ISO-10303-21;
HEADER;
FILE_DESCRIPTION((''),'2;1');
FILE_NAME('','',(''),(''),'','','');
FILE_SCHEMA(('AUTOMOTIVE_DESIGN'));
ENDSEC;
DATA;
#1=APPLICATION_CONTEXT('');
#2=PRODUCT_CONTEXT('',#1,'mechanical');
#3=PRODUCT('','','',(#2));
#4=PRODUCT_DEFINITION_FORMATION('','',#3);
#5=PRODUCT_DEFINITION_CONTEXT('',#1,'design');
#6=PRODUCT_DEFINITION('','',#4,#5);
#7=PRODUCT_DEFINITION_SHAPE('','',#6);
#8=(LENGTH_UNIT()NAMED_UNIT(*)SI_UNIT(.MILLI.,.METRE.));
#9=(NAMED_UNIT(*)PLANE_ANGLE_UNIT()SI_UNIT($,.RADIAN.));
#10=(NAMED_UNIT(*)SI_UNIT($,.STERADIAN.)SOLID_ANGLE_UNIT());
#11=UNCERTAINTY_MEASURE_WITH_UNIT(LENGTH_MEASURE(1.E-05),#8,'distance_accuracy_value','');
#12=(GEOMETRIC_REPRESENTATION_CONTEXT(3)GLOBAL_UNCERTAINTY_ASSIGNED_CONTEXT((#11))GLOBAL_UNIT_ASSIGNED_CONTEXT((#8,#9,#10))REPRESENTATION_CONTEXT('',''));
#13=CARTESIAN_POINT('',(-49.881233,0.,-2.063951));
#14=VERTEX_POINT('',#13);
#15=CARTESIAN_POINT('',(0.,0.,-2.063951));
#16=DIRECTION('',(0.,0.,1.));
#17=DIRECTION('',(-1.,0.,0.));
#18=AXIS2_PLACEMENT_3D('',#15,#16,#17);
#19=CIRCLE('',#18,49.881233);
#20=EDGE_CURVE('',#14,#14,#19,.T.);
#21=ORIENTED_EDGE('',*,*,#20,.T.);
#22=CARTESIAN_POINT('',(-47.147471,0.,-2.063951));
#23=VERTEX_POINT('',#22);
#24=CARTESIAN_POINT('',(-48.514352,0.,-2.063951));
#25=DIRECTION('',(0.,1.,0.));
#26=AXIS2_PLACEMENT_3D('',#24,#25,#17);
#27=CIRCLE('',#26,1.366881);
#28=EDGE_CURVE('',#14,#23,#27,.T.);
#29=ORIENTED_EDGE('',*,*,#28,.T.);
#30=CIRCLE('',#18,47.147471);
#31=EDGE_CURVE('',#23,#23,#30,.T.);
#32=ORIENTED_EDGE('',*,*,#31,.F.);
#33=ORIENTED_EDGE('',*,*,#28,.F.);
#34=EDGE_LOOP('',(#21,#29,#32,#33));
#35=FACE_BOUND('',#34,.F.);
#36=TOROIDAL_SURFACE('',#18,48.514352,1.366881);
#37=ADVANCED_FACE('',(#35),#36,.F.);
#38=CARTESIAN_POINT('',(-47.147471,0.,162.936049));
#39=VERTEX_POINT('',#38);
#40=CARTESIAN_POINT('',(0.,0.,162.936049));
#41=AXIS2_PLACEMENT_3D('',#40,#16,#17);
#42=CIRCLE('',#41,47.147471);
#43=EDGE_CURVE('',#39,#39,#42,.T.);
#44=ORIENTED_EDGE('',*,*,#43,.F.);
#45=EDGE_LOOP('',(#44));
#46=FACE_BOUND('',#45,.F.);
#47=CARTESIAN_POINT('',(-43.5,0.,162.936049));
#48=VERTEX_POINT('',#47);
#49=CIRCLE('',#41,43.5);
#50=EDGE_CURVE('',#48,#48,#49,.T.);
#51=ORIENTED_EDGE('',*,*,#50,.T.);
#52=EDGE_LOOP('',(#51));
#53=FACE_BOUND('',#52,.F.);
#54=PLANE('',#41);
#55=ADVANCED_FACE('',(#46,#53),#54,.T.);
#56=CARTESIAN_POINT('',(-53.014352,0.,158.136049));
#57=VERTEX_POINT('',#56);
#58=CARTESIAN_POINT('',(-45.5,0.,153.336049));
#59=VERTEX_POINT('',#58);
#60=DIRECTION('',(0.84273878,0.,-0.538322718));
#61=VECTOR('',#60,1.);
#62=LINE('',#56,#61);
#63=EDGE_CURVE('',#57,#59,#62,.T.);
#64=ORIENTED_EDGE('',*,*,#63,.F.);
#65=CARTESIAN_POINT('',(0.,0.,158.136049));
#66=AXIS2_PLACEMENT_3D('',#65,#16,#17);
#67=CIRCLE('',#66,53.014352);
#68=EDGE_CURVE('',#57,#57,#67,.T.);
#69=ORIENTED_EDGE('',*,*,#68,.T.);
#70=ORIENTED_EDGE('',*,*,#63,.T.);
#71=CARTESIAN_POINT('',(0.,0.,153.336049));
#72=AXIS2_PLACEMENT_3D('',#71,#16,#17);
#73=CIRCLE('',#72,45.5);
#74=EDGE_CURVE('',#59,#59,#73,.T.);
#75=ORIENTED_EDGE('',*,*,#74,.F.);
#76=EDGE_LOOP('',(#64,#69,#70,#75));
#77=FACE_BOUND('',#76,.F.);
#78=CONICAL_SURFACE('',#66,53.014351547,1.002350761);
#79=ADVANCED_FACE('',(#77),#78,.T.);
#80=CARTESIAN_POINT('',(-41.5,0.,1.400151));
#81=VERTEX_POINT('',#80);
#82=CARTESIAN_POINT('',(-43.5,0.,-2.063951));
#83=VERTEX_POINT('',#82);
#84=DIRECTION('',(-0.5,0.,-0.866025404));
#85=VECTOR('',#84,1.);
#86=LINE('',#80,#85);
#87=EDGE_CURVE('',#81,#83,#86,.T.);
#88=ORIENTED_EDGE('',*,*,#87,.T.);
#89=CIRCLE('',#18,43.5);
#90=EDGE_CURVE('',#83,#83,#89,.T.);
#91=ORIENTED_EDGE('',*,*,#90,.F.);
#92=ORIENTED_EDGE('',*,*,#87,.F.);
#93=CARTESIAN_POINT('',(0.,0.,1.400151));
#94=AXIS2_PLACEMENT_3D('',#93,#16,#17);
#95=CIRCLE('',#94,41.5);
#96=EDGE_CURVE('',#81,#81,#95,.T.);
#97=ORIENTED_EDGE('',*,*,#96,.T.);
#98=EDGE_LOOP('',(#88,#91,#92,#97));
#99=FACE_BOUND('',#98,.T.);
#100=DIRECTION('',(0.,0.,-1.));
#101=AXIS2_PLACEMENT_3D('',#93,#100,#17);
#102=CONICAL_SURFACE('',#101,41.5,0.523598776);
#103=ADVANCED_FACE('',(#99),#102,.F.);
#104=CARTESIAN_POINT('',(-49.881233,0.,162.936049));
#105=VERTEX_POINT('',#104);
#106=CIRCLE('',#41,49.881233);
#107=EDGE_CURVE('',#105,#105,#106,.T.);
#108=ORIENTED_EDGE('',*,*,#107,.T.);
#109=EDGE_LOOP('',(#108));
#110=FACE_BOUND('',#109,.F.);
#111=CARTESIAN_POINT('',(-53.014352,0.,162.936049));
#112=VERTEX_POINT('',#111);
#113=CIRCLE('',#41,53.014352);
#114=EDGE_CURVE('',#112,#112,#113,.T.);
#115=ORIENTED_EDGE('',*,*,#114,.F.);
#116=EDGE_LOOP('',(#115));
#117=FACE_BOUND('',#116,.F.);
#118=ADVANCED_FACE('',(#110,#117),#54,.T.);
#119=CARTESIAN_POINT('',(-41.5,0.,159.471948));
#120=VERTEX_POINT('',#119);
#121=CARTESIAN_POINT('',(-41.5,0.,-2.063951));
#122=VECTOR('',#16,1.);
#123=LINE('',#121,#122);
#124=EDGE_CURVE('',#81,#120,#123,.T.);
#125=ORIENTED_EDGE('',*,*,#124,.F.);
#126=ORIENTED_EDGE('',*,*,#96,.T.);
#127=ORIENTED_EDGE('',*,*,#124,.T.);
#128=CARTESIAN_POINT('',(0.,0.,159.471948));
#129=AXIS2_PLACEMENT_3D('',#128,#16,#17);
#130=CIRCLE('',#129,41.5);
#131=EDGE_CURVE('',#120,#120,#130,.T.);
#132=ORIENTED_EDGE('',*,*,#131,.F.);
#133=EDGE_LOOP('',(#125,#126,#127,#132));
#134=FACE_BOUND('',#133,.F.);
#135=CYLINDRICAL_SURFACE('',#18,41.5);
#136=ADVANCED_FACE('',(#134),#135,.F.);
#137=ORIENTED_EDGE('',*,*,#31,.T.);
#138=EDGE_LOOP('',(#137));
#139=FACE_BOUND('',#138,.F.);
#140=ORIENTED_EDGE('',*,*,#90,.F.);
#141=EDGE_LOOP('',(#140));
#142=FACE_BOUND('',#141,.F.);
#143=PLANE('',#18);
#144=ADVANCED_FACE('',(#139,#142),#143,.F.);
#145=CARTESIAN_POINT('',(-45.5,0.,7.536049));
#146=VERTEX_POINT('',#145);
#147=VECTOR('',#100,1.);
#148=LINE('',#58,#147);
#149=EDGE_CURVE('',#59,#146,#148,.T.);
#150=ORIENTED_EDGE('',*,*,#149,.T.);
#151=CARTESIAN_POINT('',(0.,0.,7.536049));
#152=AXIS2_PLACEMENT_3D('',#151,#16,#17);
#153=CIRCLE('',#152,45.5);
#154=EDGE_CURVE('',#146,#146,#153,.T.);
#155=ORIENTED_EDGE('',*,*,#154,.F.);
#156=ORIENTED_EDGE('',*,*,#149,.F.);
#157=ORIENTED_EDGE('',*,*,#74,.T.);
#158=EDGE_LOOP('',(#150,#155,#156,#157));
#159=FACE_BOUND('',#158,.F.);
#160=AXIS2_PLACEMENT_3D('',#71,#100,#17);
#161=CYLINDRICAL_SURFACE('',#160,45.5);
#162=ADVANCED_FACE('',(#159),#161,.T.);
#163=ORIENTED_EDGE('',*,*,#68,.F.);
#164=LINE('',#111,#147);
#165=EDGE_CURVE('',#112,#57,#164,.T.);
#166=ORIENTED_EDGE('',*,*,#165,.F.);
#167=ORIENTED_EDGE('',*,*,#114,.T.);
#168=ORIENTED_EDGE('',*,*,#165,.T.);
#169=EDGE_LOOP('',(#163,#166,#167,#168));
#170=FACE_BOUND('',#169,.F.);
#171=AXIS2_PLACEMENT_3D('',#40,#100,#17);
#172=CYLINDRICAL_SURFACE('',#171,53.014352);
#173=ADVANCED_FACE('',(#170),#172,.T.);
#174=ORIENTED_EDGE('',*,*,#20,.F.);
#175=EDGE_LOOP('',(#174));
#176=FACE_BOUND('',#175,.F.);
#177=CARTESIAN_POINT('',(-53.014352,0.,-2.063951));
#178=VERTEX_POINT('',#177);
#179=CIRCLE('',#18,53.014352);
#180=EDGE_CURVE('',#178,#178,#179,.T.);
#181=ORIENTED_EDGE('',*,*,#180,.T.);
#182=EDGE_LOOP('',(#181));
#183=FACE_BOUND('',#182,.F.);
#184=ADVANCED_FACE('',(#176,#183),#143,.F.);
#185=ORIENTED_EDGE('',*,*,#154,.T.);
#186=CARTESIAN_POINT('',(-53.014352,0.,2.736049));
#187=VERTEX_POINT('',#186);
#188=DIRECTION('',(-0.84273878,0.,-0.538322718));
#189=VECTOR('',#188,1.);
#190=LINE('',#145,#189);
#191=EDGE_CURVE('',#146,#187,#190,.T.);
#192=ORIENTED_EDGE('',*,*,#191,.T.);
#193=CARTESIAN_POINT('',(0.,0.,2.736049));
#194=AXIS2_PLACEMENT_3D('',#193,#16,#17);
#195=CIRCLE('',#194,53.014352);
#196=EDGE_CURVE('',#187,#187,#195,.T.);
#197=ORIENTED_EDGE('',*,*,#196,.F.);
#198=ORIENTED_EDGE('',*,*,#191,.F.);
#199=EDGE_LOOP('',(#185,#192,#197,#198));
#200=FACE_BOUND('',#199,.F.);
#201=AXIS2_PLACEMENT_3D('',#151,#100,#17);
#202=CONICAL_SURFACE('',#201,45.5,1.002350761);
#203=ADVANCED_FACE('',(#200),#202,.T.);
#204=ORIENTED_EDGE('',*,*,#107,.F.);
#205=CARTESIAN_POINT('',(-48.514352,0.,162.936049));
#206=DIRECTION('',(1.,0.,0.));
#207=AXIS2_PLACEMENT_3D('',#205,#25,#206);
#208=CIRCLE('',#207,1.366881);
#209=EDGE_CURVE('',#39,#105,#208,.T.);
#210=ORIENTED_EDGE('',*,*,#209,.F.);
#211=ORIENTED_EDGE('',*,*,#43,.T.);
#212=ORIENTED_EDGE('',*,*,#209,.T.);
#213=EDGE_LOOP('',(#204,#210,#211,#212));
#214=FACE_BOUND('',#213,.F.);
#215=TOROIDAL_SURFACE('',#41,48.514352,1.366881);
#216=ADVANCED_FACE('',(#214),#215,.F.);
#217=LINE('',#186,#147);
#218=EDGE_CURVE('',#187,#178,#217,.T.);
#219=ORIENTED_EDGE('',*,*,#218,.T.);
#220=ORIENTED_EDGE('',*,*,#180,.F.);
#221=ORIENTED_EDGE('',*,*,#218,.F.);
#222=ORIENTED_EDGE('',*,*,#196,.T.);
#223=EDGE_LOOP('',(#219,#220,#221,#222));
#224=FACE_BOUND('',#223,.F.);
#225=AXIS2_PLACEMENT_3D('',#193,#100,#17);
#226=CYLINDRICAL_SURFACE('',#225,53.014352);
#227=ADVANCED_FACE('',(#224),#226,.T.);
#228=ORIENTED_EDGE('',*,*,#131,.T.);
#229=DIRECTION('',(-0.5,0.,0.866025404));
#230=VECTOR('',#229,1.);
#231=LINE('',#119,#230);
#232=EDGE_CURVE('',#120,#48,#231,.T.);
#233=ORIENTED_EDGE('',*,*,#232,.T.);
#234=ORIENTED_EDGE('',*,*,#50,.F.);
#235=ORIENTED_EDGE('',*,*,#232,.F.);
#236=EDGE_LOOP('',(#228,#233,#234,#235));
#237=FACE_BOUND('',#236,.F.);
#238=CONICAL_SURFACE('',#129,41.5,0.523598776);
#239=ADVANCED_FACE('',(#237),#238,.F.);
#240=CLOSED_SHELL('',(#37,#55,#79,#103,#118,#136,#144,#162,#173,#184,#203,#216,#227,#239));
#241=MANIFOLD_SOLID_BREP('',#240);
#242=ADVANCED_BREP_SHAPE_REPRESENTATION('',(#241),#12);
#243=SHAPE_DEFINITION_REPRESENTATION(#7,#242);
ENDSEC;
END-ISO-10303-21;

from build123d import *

# Parameters (mm, degrees)
F2_SIZE2 = 2
F2_SIZE  = 3.4641016151


with BuildPart() as f1:
    # F0 (on Front) → F1 (revolve)
    with BuildSketch(Plane.XZ):
        with BuildLine():
            Line((-47.1474705863, -2.0639507875), (-45.5, -2.0639507875))
            Line((-45.5, -2.0639507875), (-41.5, -2.0639507875))
            Line((-41.5, -2.0639507875), (-41.5, 80.4360492125))
            Line((-41.5, 80.4360492125), (-45.5, 80.4360492125))
            Line((-45.5, 80.4360492125), (-45.5, 18.9360492125))
            Line((-45.5, 18.9360492125), (-45.5, 7.5360492125))
            Line((-45.5, 7.5360492125), (-53.0143515468, 2.7360492125))
            Line((-53.0143515468, 2.7360492125), (-53.0143515468, -2.0639507875))
            Line((-53.0143515468, -2.0639507875), (-49.8812325073, -2.0639507875))
            ThreePointArc((-49.8812325073, -2.0639507875), (-48.5143515468, -0.697069827), (-47.1474705863, -2.0639507875))
        make_face()
        with BuildLine():
            Line((-45.5, 80.4360492125), (-41.5, 80.4360492125))
            Line((-41.5, 80.4360492125), (-41.5, 162.9360492125))
            Line((-41.5, 162.9360492125), (-45.5, 162.9360492125))
            Line((-45.5, 162.9360492125), (-47.1474705863, 162.9360492125))
            ThreePointArc((-47.1474705863, 162.9360492125), (-48.5143515468, 161.569168252), (-49.8812325073, 162.9360492125))
            Line((-49.8812325073, 162.9360492125), (-53.0143515468, 162.9360492125))
            Line((-53.0143515468, 162.9360492125), (-53.0143515468, 158.1360492125))
            Line((-53.0143515468, 158.1360492125), (-45.5, 153.3360492125))
            Line((-45.5, 153.3360492125), (-45.5, 141.9360492125))
            Line((-45.5, 141.9360492125), (-45.5, 80.4360492125))
        make_face()
    revolve(axis=Axis((0, 0, 19.3934533745), (0, 0, 1)))

    # F2
    f2_edges = [f1.edges().sort_by_distance(p)[0] for p in [
        (41.5, 0, 162.936049),
        (41.5, 0, -2.063951),
    ]]
    f2_side = f1.faces().sort_by_distance((41.5, 0, 80.436049))[0]
    chamfer(f2_edges, length=F2_SIZE, length2=F2_SIZE2, reference=f2_side)


solid = f1.part
